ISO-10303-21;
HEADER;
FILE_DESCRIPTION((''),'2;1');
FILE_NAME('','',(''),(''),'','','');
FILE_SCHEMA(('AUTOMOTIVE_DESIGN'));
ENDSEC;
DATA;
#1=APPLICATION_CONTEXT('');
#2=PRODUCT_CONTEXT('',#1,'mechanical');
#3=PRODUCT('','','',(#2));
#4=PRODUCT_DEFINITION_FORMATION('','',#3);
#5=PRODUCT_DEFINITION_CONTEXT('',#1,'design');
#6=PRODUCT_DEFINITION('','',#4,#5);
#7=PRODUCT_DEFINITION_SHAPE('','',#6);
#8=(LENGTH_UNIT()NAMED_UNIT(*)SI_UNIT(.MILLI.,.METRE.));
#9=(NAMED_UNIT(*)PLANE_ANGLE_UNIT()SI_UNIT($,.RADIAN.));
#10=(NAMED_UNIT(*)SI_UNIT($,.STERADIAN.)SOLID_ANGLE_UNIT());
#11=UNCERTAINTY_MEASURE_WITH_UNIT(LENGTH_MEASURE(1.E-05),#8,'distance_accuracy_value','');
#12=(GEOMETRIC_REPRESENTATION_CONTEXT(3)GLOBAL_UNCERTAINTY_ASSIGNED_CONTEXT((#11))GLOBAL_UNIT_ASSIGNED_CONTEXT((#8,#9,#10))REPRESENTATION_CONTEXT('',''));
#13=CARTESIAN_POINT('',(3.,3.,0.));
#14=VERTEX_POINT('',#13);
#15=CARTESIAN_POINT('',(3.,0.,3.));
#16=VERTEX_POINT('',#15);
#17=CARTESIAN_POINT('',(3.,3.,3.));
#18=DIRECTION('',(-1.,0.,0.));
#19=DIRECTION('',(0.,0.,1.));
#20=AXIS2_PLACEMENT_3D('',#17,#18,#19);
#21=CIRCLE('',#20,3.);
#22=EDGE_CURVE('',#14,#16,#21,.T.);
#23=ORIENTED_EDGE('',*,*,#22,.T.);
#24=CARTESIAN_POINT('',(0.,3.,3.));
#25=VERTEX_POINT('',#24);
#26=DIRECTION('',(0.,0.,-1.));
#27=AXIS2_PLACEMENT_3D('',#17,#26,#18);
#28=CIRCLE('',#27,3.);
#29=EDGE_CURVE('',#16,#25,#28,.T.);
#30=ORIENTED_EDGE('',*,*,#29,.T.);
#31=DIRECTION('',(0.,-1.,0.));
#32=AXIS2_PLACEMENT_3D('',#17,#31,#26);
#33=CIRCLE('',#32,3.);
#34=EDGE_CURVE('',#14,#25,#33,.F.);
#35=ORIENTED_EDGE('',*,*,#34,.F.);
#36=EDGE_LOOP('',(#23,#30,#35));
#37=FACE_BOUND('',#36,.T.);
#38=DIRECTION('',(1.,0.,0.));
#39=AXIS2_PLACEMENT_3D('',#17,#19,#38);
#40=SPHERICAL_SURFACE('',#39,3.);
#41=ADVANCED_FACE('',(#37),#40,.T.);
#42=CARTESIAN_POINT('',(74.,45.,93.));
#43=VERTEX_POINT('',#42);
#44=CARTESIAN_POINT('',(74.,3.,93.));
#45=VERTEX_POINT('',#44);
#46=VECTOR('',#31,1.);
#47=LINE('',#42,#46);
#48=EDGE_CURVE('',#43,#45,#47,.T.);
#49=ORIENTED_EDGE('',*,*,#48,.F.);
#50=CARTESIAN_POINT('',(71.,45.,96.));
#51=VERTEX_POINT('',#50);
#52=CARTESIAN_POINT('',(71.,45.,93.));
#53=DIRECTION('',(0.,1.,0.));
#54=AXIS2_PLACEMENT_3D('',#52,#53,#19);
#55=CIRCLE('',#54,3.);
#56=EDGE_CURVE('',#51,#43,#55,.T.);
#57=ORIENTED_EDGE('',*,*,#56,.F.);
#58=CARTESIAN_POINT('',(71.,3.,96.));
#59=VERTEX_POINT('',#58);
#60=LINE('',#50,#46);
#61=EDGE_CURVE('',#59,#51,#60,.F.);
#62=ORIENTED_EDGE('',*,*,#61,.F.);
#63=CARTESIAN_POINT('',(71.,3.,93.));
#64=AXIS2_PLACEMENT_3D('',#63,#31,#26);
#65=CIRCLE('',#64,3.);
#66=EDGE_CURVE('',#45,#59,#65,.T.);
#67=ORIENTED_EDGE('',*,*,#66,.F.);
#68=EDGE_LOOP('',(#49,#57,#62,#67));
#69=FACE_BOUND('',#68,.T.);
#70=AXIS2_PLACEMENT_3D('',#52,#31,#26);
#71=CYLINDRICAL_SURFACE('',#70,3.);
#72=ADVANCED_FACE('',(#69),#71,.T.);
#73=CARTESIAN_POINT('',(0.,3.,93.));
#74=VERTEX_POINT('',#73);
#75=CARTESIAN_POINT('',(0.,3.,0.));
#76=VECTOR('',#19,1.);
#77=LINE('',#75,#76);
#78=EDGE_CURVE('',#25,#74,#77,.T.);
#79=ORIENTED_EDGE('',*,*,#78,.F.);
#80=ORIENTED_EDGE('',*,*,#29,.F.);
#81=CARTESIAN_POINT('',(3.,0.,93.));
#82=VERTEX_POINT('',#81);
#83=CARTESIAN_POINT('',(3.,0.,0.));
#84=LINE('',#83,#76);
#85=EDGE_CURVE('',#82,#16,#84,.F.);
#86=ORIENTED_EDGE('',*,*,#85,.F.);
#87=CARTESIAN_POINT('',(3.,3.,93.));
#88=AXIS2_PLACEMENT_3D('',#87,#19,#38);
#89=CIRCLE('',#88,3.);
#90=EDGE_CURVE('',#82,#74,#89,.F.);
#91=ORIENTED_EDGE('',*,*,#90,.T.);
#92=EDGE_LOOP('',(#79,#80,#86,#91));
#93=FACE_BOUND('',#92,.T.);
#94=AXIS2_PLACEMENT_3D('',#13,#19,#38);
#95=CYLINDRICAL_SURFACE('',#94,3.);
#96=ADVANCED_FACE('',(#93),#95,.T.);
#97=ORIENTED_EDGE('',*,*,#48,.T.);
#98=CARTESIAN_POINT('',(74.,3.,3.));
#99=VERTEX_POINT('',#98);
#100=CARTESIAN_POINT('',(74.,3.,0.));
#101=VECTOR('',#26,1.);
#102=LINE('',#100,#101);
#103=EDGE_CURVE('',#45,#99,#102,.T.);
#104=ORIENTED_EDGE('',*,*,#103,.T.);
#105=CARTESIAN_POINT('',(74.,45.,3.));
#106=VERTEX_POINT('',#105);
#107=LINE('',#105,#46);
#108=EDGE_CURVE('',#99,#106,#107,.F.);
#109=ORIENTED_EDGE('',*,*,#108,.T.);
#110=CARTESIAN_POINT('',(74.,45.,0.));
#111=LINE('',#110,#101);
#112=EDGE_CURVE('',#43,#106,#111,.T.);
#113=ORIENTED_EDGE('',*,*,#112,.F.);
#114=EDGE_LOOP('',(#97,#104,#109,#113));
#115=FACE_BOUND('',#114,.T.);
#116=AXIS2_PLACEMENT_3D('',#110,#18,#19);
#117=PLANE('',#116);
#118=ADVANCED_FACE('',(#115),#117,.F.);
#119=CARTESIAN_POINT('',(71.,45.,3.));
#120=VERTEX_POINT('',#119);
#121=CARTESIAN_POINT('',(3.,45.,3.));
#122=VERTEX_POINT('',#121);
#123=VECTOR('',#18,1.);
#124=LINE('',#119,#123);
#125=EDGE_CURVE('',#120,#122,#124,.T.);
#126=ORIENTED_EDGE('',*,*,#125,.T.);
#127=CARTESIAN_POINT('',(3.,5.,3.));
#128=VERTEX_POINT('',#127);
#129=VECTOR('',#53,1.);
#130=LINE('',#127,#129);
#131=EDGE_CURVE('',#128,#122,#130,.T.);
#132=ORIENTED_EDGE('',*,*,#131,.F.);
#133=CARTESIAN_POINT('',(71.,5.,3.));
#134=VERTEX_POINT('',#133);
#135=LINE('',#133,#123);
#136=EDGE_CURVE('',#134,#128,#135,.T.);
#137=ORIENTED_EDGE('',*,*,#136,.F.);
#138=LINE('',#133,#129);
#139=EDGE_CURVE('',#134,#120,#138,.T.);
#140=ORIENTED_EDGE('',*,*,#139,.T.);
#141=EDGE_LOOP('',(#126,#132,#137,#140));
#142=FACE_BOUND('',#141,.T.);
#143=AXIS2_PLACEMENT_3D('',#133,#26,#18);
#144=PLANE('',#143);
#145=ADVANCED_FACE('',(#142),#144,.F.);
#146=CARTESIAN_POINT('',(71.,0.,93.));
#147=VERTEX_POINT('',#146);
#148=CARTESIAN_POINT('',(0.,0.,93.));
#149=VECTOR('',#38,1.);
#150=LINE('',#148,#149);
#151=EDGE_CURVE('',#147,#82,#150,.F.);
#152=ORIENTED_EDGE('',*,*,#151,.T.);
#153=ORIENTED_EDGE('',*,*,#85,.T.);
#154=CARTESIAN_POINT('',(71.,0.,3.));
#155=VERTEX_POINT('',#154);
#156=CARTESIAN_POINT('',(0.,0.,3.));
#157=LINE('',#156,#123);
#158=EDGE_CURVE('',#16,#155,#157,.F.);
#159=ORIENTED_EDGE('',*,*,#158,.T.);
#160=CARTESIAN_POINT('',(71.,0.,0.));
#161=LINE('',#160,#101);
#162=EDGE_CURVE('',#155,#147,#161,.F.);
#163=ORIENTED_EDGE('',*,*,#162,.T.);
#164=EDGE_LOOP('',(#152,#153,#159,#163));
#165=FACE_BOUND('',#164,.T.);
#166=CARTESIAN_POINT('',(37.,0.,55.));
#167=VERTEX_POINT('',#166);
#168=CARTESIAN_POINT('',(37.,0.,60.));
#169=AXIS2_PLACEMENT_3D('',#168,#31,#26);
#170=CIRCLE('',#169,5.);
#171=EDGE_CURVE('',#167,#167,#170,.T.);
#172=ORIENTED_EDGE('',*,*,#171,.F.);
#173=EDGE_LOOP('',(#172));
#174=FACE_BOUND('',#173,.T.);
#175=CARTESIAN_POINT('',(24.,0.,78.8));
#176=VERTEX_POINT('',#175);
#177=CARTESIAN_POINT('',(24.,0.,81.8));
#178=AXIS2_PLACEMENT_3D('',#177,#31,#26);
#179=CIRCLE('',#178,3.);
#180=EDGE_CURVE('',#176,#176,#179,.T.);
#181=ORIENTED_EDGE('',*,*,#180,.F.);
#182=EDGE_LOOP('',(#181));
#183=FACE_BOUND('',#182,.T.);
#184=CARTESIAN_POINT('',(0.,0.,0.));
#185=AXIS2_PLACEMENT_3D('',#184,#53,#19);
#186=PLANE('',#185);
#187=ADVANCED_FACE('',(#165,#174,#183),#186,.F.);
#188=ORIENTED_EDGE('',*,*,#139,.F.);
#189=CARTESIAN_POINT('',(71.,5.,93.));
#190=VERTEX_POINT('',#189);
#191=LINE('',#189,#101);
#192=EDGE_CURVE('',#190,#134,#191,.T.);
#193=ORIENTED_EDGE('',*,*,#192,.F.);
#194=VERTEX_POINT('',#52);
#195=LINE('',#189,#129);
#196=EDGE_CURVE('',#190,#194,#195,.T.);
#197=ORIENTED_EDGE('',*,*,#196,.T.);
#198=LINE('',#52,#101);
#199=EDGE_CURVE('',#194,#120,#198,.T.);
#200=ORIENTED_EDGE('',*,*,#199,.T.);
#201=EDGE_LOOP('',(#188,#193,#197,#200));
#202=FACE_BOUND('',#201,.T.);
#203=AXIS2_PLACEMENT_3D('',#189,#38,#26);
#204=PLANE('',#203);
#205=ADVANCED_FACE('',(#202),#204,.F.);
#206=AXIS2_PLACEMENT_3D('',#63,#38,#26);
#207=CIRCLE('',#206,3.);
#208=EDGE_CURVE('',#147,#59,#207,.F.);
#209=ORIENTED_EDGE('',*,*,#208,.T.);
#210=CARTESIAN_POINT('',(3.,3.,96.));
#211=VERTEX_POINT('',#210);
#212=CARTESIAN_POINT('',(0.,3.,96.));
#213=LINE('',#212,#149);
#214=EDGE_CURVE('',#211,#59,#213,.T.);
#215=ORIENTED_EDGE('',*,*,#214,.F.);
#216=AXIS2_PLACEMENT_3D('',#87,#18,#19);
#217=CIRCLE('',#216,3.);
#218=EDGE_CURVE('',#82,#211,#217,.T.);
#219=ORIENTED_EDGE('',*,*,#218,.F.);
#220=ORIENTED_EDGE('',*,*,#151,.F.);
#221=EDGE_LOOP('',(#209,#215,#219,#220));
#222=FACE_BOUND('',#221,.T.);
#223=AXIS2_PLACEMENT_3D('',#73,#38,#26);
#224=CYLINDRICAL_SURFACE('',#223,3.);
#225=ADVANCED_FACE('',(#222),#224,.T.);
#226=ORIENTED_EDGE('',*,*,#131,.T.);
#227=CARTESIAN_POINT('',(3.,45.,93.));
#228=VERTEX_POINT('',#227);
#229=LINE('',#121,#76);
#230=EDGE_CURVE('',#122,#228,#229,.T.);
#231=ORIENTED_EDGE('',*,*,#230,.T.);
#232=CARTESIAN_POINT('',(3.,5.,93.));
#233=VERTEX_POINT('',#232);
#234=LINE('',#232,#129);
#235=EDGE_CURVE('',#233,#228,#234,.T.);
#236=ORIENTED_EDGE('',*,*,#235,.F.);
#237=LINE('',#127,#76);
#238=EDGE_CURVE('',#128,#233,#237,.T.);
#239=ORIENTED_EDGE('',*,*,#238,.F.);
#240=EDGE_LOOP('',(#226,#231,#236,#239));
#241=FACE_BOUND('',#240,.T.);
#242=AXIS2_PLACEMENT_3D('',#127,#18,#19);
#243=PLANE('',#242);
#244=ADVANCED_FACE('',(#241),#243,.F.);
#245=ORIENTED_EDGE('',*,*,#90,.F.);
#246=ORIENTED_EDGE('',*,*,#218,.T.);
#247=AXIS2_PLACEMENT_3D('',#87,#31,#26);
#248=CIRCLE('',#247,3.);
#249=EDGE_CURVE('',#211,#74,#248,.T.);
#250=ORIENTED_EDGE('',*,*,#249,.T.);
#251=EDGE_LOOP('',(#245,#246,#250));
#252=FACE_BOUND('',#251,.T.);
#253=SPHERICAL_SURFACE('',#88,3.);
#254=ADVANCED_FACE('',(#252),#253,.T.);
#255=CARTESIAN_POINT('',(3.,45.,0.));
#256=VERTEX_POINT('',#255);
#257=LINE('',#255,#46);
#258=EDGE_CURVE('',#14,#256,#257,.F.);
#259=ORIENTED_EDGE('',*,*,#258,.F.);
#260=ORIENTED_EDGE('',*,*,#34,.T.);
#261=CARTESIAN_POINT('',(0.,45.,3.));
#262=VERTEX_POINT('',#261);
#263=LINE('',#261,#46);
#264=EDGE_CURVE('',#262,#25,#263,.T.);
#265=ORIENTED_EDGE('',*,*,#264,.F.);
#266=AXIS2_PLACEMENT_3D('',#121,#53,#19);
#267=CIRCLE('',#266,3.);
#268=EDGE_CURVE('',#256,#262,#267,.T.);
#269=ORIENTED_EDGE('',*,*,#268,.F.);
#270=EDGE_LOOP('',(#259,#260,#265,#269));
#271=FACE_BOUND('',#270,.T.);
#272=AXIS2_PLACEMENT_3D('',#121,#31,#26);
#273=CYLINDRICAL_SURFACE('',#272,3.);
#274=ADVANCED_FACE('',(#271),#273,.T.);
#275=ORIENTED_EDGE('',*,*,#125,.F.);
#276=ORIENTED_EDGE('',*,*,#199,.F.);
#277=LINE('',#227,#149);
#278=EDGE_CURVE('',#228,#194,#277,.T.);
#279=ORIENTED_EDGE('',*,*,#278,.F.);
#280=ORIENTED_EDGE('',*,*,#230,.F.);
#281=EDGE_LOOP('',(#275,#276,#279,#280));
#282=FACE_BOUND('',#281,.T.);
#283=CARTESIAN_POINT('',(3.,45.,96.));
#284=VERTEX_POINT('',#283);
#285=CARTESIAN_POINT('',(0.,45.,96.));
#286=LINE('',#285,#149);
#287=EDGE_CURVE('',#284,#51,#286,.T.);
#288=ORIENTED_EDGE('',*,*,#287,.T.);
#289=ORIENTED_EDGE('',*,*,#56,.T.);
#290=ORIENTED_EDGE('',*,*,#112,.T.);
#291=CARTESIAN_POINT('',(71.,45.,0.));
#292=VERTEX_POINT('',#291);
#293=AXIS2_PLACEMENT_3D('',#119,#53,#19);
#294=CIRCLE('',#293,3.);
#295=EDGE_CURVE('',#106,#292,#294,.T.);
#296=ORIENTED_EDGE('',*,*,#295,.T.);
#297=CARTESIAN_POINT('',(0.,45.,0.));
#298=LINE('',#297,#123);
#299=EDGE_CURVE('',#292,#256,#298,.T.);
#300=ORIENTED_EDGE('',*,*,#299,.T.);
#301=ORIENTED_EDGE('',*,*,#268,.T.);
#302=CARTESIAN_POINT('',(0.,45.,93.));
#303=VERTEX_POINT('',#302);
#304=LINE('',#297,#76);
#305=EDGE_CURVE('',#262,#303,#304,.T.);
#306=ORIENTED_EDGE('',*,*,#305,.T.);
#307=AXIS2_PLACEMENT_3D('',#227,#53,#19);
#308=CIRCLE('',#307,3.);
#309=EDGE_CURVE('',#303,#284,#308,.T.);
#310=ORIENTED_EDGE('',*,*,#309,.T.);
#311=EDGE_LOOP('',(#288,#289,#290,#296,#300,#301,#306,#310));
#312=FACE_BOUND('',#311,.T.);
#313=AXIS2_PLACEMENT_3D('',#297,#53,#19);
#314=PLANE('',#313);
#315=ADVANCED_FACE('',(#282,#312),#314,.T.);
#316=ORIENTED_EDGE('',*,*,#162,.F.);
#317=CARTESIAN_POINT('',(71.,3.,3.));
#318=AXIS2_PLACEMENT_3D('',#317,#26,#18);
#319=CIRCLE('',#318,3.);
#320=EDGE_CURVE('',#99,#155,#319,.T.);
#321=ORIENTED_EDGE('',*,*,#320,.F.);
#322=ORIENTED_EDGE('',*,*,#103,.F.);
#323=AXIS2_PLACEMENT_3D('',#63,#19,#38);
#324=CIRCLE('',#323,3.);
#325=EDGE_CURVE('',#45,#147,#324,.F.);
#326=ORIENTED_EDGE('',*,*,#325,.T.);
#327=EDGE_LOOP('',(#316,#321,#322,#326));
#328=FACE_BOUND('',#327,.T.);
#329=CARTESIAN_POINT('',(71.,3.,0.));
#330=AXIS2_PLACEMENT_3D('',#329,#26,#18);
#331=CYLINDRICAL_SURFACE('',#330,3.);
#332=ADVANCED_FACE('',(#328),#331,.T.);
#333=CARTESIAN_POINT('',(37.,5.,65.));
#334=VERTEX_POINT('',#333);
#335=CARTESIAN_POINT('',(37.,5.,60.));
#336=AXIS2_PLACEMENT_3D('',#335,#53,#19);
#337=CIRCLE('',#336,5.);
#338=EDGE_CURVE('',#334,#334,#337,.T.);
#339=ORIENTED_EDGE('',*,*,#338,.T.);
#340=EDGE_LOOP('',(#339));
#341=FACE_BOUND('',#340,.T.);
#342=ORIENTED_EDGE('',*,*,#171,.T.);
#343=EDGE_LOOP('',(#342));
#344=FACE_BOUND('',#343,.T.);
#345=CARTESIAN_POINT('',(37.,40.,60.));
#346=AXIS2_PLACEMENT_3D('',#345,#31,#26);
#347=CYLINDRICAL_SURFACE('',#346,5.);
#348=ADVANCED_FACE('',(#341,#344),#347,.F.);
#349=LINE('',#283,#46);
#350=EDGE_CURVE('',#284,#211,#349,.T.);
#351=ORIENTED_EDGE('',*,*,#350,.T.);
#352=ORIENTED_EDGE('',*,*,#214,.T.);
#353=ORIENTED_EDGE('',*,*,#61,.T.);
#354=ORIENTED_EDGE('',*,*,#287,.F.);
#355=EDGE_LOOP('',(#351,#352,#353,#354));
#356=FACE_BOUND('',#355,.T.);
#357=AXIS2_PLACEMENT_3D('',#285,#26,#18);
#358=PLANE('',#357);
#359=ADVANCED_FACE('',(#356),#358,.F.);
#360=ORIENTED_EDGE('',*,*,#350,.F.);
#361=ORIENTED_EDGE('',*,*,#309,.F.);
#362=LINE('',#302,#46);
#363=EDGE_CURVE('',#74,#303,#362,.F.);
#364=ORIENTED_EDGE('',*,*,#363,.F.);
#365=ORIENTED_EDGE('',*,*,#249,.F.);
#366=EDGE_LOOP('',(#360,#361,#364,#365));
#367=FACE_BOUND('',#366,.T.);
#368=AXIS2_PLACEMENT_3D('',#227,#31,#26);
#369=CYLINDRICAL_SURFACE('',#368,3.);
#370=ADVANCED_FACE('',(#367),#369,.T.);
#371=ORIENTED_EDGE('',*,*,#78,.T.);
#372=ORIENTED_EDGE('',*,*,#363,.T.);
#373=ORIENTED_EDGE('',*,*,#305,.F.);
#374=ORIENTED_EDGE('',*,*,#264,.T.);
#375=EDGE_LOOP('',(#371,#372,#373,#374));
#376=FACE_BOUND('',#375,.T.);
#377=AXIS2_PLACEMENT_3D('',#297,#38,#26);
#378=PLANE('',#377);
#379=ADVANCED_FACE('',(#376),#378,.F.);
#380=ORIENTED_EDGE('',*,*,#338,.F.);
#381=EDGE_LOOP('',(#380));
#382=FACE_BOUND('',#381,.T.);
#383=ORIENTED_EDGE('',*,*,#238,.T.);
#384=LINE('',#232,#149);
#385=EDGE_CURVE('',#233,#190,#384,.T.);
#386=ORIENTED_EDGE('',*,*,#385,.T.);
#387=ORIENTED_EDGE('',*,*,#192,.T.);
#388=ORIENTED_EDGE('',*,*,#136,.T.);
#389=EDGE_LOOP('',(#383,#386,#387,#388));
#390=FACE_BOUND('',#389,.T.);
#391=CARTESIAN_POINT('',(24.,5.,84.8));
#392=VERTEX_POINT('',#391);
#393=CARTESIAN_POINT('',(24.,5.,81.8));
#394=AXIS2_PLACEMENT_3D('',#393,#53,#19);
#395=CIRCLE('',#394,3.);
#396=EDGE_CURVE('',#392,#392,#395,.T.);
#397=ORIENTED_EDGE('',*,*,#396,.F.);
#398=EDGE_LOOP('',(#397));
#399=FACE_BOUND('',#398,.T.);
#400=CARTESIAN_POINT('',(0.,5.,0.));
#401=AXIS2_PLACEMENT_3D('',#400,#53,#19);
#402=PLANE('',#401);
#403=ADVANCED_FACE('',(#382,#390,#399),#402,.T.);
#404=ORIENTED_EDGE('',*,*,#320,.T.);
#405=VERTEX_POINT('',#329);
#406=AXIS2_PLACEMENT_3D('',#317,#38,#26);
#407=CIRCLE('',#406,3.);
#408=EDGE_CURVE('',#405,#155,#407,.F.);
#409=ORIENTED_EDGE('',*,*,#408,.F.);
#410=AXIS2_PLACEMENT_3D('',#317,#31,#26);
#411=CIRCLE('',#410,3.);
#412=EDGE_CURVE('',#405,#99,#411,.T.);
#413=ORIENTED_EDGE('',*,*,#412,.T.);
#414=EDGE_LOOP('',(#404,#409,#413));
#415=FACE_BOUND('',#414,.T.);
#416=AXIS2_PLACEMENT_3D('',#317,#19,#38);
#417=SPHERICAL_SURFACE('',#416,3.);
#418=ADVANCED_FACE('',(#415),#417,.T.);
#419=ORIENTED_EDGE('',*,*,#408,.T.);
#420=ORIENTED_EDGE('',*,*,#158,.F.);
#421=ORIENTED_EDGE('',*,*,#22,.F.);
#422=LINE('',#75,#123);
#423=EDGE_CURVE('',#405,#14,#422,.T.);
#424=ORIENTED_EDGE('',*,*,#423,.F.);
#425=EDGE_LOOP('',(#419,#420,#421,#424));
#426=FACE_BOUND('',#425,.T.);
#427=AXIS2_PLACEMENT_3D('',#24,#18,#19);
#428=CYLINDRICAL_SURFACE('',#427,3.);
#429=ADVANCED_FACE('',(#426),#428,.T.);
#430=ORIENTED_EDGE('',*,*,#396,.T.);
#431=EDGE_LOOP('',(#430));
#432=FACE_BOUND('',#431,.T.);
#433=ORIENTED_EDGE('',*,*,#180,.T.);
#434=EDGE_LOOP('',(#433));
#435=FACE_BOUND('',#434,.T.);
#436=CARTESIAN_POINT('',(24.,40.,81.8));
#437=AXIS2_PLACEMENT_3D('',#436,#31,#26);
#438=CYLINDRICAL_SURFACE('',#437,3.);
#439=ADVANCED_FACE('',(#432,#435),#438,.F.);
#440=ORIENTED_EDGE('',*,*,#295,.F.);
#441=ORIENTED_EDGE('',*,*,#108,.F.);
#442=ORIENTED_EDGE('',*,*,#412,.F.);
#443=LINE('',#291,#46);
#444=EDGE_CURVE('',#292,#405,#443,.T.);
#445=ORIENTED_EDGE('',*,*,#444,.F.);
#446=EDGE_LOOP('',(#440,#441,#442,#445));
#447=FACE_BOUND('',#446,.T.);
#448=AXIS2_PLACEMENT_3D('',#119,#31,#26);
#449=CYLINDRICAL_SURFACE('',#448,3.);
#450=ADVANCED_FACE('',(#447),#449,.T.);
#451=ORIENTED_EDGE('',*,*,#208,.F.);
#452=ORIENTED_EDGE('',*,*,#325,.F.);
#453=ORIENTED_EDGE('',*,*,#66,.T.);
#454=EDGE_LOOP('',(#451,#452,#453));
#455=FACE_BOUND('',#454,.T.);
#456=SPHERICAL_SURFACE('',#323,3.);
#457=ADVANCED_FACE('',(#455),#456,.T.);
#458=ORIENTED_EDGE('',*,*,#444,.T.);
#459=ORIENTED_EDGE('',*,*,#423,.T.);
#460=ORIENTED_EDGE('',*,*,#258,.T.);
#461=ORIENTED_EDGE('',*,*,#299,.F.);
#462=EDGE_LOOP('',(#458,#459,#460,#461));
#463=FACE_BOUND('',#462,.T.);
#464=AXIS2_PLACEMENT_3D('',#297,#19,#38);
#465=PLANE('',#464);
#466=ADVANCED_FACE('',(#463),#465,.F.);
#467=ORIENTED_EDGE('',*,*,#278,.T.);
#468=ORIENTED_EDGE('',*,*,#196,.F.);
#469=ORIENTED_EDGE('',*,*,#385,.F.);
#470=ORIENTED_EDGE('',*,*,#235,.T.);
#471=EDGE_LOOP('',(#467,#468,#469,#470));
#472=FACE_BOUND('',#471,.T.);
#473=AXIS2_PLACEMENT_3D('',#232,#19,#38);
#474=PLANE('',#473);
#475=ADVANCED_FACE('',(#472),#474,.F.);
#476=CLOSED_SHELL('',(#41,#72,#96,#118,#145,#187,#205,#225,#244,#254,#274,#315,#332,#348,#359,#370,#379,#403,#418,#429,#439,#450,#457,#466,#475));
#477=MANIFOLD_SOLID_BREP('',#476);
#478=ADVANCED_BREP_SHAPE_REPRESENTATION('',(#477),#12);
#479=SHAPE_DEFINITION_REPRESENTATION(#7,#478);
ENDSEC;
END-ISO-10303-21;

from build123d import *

# Parameters (mm, degrees)
SKETCH1_W           = 74
SKETCH1_H           = 96
BOSS_EXTRUDE1_DEPTH = 45
SKETCH2_W           = 68
SKETCH2_H           = 90
CUT_EXTRUDE1_DEPTH  = 40
SKETCH3_R           = 3
SKETCH3_R_2         = 5
CUT_EXTRUDE2_DEPTH  = 40
FILLET1_R           = 3


with BuildPart() as part:
    # Sketch1 → Boss-Extrude1 (new body)
    with BuildSketch(Plane(origin=(0, 0, 0), x_dir=(1, 0, 0), z_dir=(0, 1, 0))):
        with Locations((37, -48)):
            Rectangle(SKETCH1_W, SKETCH1_H)
    extrude(amount=BOSS_EXTRUDE1_DEPTH)

    # Sketch2 → Cut-Extrude1 (cut)
    with BuildSketch(Plane(origin=(0, 45, 0), x_dir=(1, 0, 0), z_dir=(0, 1, 0))):
        with Locations((37, -48)):
            Rectangle(SKETCH2_W, SKETCH2_H)
    extrude(amount=-CUT_EXTRUDE1_DEPTH, mode=Mode.SUBTRACT)

    # Sketch3 → Cut-Extrude2 (cut)
    with BuildSketch(Plane.XZ):
        with Locations((24, 81.8)):
            Circle(SKETCH3_R)
        with Locations((37, 60)):
            Circle(SKETCH3_R_2)
    extrude(amount=-CUT_EXTRUDE2_DEPTH, mode=Mode.SUBTRACT)

    # Fillet1
    fillet1_edges = [part.edges().sort_by_distance(p)[0] for p in [
        (37, 0, 0),
        (74, 0, 48),
        (37, 0, 96),
        (0, 0, 48),
        (0, 22.5, 0),
        (74, 22.5, 0),
        (74, 22.5, 96),
        (0, 22.5, 96),
    ]]
    fillet(fillet1_edges, radius=FILLET1_R)


solid = part.part
